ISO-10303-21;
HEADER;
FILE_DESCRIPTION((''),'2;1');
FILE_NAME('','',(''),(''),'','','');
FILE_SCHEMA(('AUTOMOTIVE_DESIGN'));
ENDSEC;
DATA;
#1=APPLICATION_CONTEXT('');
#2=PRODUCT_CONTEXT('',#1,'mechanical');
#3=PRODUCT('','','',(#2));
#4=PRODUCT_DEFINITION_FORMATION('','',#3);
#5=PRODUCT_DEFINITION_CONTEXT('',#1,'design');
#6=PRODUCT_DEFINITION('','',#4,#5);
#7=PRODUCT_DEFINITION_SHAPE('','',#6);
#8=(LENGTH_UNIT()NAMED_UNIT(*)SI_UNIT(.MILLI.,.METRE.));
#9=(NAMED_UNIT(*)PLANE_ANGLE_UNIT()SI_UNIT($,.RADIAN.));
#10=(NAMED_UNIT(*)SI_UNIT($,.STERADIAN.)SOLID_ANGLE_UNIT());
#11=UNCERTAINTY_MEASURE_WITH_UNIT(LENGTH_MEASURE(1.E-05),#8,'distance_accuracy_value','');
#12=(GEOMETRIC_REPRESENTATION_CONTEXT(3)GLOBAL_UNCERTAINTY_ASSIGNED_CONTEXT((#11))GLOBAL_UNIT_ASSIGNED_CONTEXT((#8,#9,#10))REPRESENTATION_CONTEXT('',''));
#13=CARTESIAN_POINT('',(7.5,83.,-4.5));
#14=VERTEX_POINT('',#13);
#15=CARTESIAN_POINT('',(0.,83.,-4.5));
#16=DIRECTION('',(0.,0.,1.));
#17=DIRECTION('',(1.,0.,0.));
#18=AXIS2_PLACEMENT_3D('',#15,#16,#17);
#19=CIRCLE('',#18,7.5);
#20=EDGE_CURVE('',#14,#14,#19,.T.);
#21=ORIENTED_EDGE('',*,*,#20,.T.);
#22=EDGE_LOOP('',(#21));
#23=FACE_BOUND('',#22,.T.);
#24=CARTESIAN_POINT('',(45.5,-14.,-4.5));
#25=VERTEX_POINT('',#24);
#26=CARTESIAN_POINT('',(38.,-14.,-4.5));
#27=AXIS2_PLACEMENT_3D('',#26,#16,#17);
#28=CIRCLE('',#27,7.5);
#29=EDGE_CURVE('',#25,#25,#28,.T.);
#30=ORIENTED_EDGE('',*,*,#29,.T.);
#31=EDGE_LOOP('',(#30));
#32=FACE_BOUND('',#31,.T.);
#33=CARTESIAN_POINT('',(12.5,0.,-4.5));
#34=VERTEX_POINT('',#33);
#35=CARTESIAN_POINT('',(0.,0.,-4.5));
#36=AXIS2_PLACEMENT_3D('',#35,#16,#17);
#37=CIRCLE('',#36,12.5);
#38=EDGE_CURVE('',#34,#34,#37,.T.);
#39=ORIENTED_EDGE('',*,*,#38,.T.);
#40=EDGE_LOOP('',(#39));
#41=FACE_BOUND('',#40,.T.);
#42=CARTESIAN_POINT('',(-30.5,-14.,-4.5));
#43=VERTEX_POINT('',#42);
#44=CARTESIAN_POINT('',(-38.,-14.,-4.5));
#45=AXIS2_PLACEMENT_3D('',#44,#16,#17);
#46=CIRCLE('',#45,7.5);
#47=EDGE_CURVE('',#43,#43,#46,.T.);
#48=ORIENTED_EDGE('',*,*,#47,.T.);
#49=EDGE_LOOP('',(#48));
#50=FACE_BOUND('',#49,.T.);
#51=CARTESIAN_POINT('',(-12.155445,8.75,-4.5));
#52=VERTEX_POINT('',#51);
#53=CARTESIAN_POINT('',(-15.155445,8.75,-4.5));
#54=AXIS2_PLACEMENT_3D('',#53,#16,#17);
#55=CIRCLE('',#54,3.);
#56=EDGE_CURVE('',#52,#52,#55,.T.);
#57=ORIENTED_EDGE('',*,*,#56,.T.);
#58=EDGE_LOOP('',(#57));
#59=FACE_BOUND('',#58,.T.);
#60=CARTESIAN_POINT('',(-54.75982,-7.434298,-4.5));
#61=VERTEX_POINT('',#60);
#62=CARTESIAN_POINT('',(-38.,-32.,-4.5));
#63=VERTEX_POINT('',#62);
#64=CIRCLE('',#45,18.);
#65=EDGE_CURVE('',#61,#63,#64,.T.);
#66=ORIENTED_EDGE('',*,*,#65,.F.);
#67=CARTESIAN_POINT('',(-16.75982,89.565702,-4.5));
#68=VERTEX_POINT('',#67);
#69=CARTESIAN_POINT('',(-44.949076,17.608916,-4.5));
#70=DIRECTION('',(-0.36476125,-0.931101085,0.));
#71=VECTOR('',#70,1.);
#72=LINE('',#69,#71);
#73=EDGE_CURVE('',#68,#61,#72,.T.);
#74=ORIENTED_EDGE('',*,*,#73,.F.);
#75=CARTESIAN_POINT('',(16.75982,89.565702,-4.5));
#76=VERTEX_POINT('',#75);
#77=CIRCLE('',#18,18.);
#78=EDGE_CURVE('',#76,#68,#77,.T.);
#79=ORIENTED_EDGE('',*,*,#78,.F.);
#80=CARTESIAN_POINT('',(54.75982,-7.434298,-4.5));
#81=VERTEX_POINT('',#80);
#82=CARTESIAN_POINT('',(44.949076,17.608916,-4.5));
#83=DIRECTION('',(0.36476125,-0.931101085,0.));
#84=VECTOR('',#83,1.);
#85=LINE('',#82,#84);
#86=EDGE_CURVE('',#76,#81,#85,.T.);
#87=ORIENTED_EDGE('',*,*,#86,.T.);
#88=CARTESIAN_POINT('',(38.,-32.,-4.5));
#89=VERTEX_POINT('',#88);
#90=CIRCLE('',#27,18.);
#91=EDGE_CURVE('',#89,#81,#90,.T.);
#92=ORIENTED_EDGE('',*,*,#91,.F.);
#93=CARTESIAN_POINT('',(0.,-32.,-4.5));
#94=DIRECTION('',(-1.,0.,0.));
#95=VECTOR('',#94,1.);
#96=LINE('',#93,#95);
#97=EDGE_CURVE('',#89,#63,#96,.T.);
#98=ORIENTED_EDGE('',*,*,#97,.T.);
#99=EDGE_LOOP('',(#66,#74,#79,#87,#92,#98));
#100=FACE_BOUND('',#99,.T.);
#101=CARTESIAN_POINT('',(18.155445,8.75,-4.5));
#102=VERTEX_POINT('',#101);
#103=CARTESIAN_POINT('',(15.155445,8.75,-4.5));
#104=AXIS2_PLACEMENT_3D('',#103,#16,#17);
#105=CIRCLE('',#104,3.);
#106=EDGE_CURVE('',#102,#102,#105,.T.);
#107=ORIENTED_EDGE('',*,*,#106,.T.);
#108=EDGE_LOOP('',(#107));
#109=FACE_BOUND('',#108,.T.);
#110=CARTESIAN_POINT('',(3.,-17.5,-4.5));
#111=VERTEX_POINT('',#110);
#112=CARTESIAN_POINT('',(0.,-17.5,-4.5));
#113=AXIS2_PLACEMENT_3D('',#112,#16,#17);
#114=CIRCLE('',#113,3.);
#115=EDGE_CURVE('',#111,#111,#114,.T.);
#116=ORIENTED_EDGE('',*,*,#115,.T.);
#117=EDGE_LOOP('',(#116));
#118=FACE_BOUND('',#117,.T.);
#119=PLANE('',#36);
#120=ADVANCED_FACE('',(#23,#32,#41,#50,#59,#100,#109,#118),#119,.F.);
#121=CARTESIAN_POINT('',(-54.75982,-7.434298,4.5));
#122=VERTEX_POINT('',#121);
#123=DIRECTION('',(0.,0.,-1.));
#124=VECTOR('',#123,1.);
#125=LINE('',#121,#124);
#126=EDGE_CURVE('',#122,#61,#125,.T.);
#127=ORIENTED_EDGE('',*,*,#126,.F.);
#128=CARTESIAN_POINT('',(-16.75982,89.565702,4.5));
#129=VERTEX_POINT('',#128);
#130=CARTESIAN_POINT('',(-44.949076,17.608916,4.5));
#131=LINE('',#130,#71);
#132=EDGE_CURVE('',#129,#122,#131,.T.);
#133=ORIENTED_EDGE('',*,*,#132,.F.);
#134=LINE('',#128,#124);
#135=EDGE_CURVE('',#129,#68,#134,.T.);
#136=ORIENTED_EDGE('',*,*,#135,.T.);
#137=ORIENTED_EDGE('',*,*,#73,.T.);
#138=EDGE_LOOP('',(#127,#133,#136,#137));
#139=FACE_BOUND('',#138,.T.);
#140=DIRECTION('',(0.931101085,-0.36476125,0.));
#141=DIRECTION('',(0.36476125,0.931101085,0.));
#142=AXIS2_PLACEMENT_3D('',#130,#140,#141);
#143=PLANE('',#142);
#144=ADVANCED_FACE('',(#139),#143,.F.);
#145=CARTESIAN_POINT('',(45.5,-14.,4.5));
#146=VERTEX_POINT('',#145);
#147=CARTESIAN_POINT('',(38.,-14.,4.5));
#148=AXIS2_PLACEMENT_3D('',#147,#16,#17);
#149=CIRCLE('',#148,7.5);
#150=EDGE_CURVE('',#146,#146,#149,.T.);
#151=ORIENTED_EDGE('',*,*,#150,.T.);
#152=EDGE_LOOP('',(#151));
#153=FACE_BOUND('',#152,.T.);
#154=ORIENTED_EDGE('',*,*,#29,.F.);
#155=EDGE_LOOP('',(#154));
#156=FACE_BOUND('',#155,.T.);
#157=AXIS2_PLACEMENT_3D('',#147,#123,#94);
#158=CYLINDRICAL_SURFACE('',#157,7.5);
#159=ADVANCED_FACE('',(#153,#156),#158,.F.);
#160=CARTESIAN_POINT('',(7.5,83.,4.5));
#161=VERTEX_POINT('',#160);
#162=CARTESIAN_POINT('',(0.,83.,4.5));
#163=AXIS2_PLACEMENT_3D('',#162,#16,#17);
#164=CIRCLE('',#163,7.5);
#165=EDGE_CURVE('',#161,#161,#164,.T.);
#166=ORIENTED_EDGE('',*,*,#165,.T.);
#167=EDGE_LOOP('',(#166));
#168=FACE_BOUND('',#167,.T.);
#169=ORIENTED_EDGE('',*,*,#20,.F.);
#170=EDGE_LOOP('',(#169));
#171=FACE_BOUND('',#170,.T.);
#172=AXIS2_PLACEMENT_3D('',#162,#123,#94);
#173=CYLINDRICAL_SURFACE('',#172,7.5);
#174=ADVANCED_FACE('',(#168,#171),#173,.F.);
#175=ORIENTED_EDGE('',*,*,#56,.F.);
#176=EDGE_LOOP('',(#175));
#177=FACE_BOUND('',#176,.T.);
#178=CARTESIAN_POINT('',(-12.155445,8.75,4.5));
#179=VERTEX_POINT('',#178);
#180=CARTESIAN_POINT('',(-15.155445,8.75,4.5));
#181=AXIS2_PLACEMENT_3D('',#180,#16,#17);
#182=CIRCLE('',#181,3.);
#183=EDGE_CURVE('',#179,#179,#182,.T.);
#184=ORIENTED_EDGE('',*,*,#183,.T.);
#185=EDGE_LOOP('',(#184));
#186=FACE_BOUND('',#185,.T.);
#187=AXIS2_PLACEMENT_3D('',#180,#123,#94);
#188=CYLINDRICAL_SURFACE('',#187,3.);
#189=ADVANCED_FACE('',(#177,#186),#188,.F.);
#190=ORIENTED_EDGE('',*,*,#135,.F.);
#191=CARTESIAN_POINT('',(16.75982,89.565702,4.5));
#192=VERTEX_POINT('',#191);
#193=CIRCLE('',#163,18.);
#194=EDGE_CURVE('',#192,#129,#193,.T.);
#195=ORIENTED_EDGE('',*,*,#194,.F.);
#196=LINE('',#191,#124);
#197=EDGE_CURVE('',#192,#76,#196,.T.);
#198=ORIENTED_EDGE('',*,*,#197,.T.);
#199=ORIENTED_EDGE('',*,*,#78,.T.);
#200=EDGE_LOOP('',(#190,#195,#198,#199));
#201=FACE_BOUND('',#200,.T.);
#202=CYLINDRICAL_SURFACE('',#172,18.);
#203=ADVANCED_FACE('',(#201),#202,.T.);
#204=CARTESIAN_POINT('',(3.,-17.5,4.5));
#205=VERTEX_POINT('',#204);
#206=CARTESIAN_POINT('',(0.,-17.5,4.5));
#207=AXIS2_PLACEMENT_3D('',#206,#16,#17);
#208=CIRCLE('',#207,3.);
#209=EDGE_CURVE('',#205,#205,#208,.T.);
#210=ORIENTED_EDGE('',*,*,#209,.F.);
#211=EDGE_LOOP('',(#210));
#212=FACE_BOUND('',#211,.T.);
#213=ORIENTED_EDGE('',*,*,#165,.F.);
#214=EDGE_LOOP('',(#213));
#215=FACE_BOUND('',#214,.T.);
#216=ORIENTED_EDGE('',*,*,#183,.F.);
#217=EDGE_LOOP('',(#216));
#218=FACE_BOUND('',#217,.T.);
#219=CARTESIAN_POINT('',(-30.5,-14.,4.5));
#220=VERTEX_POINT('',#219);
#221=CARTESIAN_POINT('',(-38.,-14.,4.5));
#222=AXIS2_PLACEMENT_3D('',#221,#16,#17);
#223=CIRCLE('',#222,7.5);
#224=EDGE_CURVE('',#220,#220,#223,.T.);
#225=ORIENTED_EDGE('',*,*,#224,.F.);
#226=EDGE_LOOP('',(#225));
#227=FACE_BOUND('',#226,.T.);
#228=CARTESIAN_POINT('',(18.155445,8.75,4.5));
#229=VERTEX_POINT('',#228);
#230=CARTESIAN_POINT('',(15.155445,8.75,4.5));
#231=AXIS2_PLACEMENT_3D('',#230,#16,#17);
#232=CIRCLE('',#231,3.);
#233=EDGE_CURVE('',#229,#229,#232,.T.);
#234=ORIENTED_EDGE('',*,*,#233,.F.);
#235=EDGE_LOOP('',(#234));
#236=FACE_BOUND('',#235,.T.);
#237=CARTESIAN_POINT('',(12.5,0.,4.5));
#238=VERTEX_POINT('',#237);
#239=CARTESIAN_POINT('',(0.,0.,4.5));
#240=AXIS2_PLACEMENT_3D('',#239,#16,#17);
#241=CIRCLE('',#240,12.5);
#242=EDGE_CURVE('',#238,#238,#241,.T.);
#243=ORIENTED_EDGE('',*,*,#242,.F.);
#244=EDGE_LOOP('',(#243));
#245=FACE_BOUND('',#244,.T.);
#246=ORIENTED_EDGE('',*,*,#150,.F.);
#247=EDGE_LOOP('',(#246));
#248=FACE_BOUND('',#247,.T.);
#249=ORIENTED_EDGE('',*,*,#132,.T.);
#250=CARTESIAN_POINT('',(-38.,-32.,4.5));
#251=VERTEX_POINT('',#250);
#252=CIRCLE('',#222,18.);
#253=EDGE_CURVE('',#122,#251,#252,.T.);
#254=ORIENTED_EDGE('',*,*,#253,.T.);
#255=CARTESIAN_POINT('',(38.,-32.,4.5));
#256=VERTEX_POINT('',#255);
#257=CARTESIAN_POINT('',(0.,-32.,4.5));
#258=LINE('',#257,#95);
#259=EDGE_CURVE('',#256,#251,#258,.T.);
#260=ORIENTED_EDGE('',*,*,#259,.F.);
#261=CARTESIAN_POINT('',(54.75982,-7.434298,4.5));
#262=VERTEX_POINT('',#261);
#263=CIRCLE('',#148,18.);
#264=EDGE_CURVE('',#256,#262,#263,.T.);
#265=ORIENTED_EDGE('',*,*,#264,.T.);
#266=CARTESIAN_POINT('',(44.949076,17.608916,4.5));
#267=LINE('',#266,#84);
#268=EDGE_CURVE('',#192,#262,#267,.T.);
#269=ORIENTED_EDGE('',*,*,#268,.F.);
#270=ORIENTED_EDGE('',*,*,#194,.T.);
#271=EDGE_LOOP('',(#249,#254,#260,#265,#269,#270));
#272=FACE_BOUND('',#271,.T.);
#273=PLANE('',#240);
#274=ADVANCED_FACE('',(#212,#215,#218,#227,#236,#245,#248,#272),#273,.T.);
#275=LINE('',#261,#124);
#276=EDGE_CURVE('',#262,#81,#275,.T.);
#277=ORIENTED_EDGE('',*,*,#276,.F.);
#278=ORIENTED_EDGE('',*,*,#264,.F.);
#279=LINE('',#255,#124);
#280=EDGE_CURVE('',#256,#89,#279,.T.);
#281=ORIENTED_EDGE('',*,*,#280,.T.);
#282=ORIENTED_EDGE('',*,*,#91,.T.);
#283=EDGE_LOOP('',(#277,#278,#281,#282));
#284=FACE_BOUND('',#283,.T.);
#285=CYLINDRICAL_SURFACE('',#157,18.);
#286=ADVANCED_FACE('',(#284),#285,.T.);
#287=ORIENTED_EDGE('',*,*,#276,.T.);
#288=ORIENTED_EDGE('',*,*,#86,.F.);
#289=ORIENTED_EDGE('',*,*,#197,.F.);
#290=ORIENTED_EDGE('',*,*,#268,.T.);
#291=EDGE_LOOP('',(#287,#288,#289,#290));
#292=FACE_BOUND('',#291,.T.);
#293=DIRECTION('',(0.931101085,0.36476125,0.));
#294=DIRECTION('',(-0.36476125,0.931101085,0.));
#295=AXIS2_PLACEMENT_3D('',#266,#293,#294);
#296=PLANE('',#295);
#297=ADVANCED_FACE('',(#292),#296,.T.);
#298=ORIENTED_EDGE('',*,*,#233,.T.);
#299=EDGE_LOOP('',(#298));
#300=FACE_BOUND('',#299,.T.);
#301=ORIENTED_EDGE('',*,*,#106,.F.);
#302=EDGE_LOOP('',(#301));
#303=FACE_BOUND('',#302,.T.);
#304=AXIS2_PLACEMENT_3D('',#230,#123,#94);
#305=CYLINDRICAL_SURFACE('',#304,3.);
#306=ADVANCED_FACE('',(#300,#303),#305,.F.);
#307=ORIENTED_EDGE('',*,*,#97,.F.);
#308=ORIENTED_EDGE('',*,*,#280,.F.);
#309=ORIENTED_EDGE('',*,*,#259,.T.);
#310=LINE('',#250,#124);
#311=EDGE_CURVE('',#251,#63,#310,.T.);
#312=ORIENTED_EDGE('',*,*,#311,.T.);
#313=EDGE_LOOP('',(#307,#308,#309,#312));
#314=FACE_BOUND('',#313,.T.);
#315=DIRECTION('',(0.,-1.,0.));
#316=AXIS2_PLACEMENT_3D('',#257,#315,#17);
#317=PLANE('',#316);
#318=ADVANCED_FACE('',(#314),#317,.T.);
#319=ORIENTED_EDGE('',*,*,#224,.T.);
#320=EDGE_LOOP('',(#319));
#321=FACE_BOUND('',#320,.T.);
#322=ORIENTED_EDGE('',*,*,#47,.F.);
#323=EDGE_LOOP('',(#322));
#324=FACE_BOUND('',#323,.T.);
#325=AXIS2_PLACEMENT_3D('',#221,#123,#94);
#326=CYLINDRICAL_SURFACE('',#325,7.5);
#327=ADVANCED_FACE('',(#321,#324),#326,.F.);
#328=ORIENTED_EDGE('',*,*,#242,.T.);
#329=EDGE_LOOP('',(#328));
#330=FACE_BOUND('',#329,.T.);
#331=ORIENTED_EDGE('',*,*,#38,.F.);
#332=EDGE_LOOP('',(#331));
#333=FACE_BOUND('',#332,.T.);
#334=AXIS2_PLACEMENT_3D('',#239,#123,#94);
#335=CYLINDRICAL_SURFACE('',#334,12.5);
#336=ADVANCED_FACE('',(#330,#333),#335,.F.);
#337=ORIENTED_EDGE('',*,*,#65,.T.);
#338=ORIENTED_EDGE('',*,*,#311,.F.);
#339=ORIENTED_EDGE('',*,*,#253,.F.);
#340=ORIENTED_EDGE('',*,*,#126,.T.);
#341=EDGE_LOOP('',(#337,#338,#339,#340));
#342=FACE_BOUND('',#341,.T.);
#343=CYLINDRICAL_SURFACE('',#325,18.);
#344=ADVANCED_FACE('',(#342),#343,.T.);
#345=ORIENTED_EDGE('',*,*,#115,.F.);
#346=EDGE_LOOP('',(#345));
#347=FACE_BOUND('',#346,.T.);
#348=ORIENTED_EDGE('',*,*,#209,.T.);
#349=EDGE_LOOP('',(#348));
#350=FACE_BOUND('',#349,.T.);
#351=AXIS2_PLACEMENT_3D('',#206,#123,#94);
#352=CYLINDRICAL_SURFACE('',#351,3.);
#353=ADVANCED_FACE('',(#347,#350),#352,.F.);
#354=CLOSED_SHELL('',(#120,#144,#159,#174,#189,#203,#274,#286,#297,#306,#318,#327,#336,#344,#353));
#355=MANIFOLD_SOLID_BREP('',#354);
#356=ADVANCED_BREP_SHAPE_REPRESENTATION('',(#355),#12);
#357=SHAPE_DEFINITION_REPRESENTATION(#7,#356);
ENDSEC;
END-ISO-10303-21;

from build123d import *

# Parameters (mm, degrees)
ESBO_O1_R                = 12.5
ESBO_O1_R_2              = 7.5
ESBO_O1_R_3              = 3
RESSALTO_EXTRUS_O2_DEPTH = 4.5


with BuildPart() as part:
    # Esboço1 → Ressalto-extrusão2 (new, symmetric)
    with BuildSketch(Plane.XY):
        with BuildLine():
            Line((-16.759819531, 89.565702497), (-54.759819531, -7.434297503))
            ThreePointArc((-54.759819531, -7.434297503), (-52.869139937, -24.144391432), (-38, -32))
            Line((-38, -32), (38, -32))
            ThreePointArc((38, -32), (52.869139937, -24.144391432), (54.759819531, -7.434297503))
            Line((54.759819531, -7.434297503), (16.759819531, 89.565702497))
            ThreePointArc((16.759819531, 89.565702497), (0, 101), (-16.759819531, 89.565702497))
        make_face()
        Circle(ESBO_O1_R, mode=Mode.SUBTRACT)
        with Locations((0, 83)):
            Circle(ESBO_O1_R_2, mode=Mode.SUBTRACT)
        with Locations((38, -14)):
            Circle(ESBO_O1_R_2, mode=Mode.SUBTRACT)
        with Locations((-38, -14)):
            Circle(ESBO_O1_R_2, mode=Mode.SUBTRACT)
        with Locations((0, -17.5)):
            Circle(ESBO_O1_R_3, mode=Mode.SUBTRACT)
        with Locations((15.155444566, 8.75)):
            Circle(ESBO_O1_R_3, mode=Mode.SUBTRACT)
        with Locations((-15.155444566, 8.75)):
            Circle(ESBO_O1_R_3, mode=Mode.SUBTRACT)
    extrude(amount=RESSALTO_EXTRUS_O2_DEPTH, both=True)


solid = part.part
